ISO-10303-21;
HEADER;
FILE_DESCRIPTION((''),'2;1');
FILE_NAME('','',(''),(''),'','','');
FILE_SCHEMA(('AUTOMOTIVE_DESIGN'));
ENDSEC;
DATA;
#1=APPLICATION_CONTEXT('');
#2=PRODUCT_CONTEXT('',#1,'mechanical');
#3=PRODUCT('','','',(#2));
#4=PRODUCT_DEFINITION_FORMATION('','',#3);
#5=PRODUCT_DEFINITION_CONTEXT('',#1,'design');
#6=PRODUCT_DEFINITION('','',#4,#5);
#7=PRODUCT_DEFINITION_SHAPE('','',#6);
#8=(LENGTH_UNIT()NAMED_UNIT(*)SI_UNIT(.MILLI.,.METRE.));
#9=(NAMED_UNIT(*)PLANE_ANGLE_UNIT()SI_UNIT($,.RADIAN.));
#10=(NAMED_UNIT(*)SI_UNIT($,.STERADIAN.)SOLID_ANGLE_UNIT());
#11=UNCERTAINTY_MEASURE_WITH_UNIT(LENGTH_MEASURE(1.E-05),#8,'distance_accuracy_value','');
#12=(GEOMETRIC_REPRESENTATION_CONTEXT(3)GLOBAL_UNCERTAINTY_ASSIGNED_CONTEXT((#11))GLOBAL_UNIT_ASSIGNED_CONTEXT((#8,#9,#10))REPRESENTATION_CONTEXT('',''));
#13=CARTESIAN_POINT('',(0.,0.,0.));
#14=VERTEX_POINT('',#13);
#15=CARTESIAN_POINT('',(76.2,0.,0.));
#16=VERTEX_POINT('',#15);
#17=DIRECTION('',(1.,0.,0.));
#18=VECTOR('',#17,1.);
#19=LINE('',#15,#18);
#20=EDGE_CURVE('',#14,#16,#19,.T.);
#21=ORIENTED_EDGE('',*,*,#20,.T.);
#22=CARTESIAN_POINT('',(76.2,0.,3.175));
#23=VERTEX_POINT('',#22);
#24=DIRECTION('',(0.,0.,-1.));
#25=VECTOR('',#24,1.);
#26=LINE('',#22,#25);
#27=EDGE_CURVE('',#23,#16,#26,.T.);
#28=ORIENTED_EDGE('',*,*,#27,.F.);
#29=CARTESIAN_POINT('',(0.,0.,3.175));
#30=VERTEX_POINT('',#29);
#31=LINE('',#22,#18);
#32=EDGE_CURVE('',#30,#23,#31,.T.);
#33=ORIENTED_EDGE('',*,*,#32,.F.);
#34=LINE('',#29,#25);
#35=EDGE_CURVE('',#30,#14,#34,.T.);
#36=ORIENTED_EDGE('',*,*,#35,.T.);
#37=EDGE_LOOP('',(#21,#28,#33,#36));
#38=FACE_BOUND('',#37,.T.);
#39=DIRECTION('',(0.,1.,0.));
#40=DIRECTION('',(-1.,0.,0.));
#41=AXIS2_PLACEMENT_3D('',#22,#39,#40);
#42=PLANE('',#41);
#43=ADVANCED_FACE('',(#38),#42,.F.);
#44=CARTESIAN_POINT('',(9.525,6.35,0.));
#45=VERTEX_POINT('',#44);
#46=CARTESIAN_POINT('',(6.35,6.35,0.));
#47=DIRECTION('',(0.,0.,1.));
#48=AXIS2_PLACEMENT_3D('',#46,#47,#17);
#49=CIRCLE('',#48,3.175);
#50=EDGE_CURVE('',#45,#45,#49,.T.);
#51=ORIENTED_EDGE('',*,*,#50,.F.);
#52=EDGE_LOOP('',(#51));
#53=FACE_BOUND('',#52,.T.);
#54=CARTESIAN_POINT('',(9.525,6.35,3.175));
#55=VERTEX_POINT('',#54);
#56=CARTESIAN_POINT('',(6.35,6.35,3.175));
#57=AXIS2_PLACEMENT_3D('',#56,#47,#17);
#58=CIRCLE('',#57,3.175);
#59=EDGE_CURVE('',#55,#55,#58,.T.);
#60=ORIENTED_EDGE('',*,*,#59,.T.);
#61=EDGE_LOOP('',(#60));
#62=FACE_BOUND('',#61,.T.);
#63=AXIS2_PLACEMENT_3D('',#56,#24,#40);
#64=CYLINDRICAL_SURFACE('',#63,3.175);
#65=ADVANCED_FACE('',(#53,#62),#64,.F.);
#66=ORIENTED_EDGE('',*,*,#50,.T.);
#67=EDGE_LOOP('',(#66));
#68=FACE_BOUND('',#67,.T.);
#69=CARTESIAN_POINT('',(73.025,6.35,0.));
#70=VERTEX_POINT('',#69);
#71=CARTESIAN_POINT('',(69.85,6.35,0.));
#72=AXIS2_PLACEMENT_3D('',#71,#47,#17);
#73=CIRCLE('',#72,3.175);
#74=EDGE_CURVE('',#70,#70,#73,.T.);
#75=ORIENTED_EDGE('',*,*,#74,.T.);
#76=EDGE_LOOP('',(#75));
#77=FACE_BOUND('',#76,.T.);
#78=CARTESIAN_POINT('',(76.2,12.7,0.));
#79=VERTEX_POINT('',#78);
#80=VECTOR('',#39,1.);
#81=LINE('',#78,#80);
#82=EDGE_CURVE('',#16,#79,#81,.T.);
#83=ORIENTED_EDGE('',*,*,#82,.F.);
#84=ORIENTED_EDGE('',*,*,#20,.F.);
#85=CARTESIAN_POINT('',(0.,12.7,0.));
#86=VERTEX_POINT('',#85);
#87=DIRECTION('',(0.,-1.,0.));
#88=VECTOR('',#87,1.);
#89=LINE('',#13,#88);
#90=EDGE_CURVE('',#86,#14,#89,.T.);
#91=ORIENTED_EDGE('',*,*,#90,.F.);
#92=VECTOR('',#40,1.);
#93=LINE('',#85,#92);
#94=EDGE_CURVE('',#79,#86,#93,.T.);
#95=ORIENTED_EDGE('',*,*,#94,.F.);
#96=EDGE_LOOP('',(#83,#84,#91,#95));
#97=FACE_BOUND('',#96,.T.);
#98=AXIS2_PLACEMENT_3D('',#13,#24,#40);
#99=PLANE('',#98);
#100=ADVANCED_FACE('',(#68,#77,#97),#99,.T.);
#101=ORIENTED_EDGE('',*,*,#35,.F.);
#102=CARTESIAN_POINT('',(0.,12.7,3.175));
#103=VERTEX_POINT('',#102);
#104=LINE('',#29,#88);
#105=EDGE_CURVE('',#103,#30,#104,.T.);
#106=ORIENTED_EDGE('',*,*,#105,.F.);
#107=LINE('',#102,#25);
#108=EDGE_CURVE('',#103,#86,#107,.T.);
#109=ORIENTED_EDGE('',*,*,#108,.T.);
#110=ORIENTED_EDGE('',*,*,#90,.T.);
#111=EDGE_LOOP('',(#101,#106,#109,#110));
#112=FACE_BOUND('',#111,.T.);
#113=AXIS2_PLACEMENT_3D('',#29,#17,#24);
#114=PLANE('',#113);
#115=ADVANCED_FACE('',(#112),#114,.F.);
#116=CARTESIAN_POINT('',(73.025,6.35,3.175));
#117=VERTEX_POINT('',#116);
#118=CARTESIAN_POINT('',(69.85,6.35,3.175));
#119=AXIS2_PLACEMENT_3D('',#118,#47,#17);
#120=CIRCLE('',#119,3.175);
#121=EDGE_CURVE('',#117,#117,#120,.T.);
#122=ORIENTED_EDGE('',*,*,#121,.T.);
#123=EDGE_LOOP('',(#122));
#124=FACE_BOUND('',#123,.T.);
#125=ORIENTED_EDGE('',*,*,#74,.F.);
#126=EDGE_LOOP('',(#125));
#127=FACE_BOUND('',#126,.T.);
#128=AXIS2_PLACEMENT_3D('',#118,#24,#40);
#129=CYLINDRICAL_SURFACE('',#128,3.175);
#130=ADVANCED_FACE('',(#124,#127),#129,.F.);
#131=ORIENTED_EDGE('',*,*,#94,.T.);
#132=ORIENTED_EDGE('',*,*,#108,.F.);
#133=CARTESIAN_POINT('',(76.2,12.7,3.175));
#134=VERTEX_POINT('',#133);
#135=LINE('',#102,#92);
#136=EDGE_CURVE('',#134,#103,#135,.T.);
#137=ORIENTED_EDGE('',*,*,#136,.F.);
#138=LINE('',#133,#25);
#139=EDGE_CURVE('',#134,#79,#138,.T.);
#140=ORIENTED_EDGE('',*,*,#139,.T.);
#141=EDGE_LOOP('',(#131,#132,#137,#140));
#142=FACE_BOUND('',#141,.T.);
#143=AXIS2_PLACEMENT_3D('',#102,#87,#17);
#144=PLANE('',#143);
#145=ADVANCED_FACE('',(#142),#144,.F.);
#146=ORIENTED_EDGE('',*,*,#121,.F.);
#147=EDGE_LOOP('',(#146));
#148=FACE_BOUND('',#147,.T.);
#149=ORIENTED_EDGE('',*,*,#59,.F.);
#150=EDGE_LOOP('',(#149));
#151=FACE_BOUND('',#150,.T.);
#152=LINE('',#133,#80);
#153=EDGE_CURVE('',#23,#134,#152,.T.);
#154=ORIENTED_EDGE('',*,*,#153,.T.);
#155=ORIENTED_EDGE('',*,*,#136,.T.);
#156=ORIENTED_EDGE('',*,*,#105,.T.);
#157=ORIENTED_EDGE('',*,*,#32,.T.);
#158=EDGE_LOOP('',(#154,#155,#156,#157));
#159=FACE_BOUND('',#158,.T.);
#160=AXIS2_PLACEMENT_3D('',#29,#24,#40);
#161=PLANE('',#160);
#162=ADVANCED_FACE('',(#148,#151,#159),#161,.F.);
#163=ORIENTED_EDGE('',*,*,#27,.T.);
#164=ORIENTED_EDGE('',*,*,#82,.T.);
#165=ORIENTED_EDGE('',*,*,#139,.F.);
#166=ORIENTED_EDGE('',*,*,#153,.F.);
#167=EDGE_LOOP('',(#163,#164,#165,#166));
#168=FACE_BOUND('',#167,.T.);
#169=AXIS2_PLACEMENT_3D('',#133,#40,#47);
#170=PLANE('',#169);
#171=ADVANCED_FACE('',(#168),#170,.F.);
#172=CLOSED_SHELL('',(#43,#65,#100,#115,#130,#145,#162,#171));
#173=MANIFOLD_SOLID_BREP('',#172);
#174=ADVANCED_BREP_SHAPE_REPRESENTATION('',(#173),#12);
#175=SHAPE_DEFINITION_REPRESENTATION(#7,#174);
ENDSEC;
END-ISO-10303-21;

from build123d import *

# Parameters (mm, degrees)
SKETCH1_W           = 76.2
SKETCH1_H           = 12.7
SKETCH1_R           = 3.175
BOSS_EXTRUDE1_DEPTH = 3.175


with BuildPart() as part:
    # Sketch1 → Boss-Extrude1 (new body)
    with BuildSketch(Plane.XY):
        with Locations((38.1, 6.35)):
            Rectangle(SKETCH1_W, SKETCH1_H)
        with Locations((6.35, 6.35)):
            Circle(SKETCH1_R, mode=Mode.SUBTRACT)
        with Locations((69.85, 6.35)):
            Circle(SKETCH1_R, mode=Mode.SUBTRACT)
    extrude(amount=BOSS_EXTRUDE1_DEPTH)


solid = part.part
